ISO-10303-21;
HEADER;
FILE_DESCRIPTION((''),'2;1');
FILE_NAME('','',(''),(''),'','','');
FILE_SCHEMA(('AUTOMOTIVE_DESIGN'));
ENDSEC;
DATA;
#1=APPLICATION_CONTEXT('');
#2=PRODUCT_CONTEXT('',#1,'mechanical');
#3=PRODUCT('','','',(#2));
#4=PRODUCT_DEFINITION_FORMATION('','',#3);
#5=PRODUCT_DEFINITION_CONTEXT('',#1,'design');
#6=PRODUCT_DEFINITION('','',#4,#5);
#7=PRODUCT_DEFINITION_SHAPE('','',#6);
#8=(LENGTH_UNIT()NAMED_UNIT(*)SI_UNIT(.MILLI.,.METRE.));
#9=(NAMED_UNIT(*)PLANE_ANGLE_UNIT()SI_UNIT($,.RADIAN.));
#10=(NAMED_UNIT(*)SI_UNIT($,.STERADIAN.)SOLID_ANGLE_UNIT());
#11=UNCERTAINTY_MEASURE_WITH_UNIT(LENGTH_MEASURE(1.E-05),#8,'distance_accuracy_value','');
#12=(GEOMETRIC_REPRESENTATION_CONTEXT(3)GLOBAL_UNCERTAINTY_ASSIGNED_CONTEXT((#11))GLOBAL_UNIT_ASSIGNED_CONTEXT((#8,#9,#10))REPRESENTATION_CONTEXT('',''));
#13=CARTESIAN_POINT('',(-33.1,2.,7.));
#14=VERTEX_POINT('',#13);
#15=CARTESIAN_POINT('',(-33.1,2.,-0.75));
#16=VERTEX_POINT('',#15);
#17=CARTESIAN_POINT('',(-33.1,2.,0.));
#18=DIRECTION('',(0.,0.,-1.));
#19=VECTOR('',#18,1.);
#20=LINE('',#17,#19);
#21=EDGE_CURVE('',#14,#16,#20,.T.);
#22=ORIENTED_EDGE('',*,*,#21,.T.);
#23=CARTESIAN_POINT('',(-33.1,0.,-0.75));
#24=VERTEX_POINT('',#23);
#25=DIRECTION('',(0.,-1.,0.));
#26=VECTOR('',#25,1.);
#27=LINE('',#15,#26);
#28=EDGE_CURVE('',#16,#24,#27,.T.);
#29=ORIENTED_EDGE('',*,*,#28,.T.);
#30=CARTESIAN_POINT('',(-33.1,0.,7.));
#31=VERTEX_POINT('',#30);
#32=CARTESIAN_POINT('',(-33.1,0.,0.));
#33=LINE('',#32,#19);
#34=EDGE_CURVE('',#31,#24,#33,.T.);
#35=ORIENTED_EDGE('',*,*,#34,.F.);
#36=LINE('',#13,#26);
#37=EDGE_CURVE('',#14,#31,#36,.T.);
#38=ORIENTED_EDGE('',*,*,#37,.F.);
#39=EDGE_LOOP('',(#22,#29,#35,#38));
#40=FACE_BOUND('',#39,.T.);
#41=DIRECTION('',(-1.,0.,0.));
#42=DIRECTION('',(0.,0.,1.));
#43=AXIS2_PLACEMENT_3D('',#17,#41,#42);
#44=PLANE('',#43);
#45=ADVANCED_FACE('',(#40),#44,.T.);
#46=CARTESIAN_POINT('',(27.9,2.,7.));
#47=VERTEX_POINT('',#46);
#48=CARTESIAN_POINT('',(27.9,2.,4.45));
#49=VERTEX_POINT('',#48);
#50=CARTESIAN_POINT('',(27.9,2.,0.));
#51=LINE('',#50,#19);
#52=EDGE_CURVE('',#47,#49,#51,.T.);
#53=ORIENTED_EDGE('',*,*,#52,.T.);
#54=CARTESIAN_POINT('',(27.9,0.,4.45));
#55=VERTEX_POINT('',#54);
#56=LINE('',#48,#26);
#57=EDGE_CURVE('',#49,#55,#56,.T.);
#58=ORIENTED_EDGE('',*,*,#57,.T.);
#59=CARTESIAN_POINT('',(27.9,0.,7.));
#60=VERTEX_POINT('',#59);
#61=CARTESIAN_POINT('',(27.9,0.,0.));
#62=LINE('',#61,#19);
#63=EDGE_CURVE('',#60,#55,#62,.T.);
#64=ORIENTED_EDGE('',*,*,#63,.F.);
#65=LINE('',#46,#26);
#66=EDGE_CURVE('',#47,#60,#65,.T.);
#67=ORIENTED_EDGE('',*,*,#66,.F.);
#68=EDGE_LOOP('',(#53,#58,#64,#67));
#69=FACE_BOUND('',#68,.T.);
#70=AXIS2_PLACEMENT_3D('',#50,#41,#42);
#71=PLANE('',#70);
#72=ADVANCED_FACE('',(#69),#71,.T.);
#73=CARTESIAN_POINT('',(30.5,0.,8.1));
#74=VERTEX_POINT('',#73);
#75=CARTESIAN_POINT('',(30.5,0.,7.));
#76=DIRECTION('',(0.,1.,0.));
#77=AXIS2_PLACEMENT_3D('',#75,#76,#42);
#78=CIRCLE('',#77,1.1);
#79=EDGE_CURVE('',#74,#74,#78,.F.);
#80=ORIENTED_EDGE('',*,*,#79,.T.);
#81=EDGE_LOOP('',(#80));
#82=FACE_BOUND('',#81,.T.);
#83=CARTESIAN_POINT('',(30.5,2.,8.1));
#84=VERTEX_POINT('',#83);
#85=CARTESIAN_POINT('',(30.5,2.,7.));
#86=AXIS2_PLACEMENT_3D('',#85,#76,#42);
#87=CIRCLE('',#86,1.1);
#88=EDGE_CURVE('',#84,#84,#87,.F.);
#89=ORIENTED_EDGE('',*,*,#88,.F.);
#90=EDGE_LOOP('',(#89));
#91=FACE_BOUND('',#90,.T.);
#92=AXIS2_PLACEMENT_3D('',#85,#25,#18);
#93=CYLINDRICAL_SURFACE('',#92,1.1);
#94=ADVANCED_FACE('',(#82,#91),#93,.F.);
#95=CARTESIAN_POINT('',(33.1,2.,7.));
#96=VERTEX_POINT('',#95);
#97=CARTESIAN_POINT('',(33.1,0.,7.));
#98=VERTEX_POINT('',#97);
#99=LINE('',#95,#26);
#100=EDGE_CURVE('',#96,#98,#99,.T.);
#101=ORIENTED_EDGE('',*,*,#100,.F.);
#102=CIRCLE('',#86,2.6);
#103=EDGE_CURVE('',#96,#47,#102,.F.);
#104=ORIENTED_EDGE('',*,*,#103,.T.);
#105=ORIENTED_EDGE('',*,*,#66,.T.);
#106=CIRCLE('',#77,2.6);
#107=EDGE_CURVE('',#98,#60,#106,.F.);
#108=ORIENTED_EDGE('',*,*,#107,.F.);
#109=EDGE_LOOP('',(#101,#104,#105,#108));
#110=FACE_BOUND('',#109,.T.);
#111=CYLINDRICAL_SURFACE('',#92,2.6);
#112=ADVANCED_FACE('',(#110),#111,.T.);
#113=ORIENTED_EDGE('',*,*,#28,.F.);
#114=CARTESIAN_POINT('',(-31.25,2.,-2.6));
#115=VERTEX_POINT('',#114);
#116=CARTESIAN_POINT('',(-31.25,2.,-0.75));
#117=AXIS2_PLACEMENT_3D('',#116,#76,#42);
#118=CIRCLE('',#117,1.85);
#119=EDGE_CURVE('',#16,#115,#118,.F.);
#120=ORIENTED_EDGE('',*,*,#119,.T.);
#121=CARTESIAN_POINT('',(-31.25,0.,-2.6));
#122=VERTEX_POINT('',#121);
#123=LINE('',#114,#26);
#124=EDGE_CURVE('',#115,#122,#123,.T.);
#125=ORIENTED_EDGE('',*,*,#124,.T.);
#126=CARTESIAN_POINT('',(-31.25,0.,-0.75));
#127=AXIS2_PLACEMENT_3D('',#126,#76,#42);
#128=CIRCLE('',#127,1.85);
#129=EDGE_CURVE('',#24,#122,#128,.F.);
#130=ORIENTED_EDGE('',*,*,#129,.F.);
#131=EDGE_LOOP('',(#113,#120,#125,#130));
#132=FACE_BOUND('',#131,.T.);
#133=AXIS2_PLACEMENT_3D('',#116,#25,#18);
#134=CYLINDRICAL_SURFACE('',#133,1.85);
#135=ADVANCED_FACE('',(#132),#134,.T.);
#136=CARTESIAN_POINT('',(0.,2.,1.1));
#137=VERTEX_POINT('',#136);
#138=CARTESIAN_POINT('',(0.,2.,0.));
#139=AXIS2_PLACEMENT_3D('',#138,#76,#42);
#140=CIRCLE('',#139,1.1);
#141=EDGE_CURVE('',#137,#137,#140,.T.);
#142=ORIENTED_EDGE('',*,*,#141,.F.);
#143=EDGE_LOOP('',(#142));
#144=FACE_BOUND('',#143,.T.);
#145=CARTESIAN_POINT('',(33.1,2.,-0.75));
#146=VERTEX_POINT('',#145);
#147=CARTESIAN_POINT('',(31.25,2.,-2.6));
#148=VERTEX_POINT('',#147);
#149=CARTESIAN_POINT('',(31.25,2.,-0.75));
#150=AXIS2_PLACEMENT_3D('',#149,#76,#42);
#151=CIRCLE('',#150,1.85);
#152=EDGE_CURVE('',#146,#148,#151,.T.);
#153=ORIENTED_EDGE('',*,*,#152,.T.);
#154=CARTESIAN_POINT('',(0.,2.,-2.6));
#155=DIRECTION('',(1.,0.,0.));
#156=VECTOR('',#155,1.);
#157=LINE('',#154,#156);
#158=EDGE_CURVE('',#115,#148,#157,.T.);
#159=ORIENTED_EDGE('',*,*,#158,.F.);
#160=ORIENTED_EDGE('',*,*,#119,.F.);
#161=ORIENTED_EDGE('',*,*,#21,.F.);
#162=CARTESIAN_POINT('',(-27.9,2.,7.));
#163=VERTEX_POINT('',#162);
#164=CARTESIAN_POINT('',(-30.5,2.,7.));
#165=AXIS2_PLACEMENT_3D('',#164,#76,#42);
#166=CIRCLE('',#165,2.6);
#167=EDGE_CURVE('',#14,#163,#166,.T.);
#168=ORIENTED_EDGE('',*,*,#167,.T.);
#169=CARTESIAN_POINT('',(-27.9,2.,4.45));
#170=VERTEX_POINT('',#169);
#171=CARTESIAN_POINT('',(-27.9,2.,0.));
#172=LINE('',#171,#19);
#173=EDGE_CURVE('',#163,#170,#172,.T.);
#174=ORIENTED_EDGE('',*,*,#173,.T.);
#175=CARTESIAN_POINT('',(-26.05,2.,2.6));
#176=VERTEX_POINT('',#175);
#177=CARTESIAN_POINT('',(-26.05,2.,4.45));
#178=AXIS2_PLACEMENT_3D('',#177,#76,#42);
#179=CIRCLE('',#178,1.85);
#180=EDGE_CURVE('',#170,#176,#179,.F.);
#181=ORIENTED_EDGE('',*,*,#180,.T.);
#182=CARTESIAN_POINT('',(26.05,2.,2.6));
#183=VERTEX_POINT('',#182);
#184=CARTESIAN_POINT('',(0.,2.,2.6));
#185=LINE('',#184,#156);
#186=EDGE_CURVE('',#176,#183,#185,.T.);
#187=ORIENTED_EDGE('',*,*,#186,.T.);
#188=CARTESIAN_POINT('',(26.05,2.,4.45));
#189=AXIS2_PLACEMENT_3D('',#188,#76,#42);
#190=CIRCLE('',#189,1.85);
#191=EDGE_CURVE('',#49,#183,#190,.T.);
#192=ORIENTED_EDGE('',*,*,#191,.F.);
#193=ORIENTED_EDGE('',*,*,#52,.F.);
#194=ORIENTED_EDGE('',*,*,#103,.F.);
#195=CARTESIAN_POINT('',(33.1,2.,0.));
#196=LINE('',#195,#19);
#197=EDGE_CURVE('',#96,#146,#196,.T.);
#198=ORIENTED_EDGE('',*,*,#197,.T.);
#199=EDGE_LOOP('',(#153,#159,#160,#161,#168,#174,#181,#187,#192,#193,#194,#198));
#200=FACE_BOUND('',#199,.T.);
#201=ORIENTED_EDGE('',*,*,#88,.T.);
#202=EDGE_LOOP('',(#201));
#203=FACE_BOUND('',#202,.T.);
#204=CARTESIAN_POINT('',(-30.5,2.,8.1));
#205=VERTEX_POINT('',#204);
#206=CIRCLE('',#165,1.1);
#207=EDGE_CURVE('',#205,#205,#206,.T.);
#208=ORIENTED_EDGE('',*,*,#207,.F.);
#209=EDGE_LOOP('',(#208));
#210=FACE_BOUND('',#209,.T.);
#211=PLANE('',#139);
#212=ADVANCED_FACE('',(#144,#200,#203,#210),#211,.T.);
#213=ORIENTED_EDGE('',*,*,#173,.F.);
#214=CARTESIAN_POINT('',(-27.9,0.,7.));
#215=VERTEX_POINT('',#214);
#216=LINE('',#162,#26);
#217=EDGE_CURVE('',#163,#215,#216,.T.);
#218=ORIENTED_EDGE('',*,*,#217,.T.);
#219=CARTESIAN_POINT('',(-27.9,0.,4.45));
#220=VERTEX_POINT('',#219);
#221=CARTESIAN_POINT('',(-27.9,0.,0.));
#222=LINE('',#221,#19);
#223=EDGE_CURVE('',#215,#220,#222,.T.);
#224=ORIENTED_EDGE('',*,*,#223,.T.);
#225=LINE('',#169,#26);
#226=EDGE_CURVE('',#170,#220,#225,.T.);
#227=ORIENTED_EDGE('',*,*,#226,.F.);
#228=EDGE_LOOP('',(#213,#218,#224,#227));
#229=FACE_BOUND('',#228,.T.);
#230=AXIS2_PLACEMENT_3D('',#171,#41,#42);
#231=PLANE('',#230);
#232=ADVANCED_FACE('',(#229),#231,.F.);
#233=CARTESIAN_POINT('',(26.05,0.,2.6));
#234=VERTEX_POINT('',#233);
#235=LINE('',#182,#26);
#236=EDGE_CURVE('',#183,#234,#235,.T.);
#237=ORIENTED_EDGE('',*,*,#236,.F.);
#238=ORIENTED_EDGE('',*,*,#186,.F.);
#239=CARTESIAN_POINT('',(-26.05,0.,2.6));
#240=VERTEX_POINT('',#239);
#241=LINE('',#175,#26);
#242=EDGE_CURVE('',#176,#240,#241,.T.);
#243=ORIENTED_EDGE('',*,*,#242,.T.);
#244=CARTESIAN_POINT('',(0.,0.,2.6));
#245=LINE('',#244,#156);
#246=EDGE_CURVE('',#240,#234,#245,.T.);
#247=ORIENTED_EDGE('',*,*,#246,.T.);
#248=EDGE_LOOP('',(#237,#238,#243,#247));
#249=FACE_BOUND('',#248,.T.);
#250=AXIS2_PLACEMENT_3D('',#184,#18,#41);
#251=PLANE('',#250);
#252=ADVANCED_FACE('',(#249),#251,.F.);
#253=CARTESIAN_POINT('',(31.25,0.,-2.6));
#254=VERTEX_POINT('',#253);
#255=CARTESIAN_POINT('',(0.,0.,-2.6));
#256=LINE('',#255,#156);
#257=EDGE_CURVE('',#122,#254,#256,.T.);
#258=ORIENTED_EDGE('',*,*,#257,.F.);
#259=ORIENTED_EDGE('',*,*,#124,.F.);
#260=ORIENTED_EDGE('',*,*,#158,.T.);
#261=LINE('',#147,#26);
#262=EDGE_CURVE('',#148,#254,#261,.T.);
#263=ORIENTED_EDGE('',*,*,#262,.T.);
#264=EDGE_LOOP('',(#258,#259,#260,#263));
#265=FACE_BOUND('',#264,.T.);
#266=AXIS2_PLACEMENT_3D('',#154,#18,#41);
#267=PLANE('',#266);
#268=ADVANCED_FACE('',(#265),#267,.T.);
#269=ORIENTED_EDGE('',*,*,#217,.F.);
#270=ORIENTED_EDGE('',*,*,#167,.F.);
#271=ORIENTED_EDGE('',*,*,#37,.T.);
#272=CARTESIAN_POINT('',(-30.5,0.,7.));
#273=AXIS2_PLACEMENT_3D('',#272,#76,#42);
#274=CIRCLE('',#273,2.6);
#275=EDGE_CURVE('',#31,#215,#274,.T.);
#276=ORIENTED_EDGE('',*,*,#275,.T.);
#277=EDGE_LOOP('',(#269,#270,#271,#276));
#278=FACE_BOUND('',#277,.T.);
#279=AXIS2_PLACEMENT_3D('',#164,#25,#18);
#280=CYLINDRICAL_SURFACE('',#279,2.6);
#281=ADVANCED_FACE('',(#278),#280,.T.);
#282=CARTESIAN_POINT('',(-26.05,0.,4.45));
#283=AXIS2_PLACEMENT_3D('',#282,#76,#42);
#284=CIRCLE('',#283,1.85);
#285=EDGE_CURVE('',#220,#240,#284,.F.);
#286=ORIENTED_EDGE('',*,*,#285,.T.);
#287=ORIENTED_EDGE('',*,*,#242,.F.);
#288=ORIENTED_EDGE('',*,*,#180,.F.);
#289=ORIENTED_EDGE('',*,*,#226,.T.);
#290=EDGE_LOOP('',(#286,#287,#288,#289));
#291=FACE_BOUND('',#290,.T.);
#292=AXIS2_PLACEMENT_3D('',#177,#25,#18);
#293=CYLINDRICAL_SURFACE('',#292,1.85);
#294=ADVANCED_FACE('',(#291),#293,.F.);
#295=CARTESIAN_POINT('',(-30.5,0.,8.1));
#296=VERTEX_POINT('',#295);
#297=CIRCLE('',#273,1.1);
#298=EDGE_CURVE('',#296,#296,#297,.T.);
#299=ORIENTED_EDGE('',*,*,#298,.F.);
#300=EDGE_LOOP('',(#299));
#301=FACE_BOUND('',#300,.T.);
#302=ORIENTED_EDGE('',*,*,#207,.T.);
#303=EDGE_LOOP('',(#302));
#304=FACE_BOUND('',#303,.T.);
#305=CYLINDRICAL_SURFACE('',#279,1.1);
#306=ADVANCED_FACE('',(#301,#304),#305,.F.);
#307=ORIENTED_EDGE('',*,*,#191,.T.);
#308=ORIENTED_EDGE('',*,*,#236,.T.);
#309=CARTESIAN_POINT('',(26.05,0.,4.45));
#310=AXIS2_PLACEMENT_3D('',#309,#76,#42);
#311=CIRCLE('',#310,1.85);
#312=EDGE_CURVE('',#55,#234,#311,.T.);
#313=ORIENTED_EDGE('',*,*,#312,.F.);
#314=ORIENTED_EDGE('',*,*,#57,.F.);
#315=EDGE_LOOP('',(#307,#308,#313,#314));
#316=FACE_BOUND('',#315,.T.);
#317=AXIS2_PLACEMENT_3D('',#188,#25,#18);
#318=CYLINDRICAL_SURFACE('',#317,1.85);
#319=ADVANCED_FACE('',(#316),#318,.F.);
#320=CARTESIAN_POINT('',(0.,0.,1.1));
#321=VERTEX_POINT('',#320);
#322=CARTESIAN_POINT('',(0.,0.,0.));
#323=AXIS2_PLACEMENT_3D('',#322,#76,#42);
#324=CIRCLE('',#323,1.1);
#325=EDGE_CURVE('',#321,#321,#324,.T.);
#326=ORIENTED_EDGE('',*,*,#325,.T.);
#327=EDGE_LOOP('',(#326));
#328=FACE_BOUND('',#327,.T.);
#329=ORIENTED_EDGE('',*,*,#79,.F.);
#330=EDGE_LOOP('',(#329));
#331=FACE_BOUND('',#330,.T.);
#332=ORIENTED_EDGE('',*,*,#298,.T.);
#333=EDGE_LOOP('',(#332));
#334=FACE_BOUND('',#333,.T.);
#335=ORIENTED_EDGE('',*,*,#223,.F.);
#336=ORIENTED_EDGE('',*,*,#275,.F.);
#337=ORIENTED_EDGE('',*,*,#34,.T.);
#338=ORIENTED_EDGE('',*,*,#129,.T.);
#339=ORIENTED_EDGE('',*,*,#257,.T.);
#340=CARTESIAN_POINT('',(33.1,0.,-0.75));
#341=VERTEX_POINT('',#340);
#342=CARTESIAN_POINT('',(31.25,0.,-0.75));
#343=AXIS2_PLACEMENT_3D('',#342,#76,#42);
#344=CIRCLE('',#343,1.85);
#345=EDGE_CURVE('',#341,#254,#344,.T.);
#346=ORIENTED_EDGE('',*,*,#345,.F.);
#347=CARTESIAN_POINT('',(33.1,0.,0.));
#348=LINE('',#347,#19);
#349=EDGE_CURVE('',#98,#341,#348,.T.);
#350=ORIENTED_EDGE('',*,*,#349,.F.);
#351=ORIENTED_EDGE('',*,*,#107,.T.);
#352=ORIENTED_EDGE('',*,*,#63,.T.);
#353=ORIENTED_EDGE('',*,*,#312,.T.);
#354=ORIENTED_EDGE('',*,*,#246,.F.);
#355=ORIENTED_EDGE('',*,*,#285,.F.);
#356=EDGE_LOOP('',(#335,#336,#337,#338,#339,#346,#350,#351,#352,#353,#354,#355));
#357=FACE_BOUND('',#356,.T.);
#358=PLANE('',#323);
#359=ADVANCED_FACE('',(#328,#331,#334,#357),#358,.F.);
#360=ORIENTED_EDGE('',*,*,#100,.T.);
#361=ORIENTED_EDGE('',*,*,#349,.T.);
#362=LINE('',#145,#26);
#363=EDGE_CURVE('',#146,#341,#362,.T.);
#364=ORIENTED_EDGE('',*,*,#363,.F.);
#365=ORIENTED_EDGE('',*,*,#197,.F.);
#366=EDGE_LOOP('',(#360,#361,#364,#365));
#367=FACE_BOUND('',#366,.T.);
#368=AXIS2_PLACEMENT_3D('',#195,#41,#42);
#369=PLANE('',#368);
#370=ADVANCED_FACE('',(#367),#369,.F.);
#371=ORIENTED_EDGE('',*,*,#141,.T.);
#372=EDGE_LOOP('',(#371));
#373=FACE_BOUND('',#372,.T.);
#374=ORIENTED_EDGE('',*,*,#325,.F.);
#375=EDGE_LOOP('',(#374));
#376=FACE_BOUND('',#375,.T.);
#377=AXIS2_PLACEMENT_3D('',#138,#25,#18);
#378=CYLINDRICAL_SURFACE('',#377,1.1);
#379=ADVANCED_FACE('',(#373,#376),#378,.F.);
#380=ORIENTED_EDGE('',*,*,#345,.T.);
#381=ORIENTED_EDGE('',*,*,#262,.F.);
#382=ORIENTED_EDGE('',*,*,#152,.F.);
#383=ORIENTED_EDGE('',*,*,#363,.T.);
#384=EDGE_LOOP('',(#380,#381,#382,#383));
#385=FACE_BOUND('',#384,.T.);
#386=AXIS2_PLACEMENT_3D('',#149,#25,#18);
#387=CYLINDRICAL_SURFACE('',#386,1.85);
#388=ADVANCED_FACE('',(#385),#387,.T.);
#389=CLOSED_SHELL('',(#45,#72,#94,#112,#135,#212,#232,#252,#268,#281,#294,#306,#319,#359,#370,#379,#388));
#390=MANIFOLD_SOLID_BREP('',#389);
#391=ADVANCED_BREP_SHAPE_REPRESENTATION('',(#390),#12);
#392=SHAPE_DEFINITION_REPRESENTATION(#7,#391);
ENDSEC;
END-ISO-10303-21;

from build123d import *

# Parameters (mm, degrees)
SKETCH1_R           = 2.6
SKETCH1_R_2         = 1.1
BOSS_EXTRUDE1_DEPTH = 2


with BuildPart() as part:
    # Sketch1 → Boss-Extrude1 (new body)
    # profile 1 of 5: a face of its own
    with BuildSketch(Plane(origin=(0, 0, 0), x_dir=(1, 0, 0), z_dir=(0, 1, 0))):
        with BuildLine():
            Line((-33.1, 0.75), (-33.1, -7))
            ThreePointArc((-33.1, -7), (-30.5, -4.4), (-27.9, -7))
            Line((-27.9, -7), (-27.9, -4.45))
            ThreePointArc((-27.9, -4.45), (-27.358147545, -3.141852455), (-26.05, -2.6))
            Line((-26.05, -2.6), (-1e-09, -2.6))
            ThreePointArc((-1e-09, -2.6), (-2.6, 7e-09), (1.4e-08, 2.6))
            Line((1.4e-08, 2.6), (-31.25, 2.6))
            ThreePointArc((-31.25, 2.6), (-32.558147545, 2.058147545), (-33.1, 0.75))
        make_face()
    # profile 2 of 5: a face of its own
    with BuildSketch(Plane(origin=(0, 0, 0), x_dir=(1, 0, 0), z_dir=(0, 1, 0))):
        with BuildLine():
            Line((31.25, 2.6), (1.4e-08, 2.6))
            ThreePointArc((1.4e-08, 2.6), (1.838477636, 1.838477626), (2.6, 0))
            ThreePointArc((2.6, 0), (1.838477631, -1.838477632), (-1e-09, -2.6))
            Line((-1e-09, -2.6), (26.05, -2.6))
            ThreePointArc((26.05, -2.6), (27.358147545, -3.141852455), (27.9, -4.45))
            Line((27.9, -4.45), (27.9, -7))
            ThreePointArc((27.9, -7), (30.5, -4.4), (33.1, -7))
            Line((33.1, -7), (33.1, 0.75))
            ThreePointArc((33.1, 0.75), (32.558147545, 2.058147545), (31.25, 2.6))
        make_face()
    # profile 3 of 5: a face of its own
    with BuildSketch(Plane(origin=(0, 0, 0), x_dir=(1, 0, 0), z_dir=(0, 1, 0))):
        Circle(SKETCH1_R)
        with Locations(Location((0, 0, 0), (0, 0, 270))):
            Circle(SKETCH1_R_2, mode=Mode.SUBTRACT)
    # profile 4 of 5: a face of its own
    with BuildSketch(Plane(origin=(0, 0, 0), x_dir=(1, 0, 0), z_dir=(0, 1, 0))):
        with Locations((30.5, -7)):
            Circle(SKETCH1_R)
        with Locations(Location((30.5, -7, 0), (0, 0, 270))):
            Circle(SKETCH1_R_2, mode=Mode.SUBTRACT)
    # profile 5 of 5: a face of its own
    with BuildSketch(Plane(origin=(0, 0, 0), x_dir=(1, 0, 0), z_dir=(0, 1, 0))):
        with Locations((-30.5, -7)):
            Circle(SKETCH1_R)
        with Locations(Location((-30.5, -7, 0), (0, 0, 270))):
            Circle(SKETCH1_R_2, mode=Mode.SUBTRACT)
    extrude(amount=BOSS_EXTRUDE1_DEPTH)


solid = part.part
